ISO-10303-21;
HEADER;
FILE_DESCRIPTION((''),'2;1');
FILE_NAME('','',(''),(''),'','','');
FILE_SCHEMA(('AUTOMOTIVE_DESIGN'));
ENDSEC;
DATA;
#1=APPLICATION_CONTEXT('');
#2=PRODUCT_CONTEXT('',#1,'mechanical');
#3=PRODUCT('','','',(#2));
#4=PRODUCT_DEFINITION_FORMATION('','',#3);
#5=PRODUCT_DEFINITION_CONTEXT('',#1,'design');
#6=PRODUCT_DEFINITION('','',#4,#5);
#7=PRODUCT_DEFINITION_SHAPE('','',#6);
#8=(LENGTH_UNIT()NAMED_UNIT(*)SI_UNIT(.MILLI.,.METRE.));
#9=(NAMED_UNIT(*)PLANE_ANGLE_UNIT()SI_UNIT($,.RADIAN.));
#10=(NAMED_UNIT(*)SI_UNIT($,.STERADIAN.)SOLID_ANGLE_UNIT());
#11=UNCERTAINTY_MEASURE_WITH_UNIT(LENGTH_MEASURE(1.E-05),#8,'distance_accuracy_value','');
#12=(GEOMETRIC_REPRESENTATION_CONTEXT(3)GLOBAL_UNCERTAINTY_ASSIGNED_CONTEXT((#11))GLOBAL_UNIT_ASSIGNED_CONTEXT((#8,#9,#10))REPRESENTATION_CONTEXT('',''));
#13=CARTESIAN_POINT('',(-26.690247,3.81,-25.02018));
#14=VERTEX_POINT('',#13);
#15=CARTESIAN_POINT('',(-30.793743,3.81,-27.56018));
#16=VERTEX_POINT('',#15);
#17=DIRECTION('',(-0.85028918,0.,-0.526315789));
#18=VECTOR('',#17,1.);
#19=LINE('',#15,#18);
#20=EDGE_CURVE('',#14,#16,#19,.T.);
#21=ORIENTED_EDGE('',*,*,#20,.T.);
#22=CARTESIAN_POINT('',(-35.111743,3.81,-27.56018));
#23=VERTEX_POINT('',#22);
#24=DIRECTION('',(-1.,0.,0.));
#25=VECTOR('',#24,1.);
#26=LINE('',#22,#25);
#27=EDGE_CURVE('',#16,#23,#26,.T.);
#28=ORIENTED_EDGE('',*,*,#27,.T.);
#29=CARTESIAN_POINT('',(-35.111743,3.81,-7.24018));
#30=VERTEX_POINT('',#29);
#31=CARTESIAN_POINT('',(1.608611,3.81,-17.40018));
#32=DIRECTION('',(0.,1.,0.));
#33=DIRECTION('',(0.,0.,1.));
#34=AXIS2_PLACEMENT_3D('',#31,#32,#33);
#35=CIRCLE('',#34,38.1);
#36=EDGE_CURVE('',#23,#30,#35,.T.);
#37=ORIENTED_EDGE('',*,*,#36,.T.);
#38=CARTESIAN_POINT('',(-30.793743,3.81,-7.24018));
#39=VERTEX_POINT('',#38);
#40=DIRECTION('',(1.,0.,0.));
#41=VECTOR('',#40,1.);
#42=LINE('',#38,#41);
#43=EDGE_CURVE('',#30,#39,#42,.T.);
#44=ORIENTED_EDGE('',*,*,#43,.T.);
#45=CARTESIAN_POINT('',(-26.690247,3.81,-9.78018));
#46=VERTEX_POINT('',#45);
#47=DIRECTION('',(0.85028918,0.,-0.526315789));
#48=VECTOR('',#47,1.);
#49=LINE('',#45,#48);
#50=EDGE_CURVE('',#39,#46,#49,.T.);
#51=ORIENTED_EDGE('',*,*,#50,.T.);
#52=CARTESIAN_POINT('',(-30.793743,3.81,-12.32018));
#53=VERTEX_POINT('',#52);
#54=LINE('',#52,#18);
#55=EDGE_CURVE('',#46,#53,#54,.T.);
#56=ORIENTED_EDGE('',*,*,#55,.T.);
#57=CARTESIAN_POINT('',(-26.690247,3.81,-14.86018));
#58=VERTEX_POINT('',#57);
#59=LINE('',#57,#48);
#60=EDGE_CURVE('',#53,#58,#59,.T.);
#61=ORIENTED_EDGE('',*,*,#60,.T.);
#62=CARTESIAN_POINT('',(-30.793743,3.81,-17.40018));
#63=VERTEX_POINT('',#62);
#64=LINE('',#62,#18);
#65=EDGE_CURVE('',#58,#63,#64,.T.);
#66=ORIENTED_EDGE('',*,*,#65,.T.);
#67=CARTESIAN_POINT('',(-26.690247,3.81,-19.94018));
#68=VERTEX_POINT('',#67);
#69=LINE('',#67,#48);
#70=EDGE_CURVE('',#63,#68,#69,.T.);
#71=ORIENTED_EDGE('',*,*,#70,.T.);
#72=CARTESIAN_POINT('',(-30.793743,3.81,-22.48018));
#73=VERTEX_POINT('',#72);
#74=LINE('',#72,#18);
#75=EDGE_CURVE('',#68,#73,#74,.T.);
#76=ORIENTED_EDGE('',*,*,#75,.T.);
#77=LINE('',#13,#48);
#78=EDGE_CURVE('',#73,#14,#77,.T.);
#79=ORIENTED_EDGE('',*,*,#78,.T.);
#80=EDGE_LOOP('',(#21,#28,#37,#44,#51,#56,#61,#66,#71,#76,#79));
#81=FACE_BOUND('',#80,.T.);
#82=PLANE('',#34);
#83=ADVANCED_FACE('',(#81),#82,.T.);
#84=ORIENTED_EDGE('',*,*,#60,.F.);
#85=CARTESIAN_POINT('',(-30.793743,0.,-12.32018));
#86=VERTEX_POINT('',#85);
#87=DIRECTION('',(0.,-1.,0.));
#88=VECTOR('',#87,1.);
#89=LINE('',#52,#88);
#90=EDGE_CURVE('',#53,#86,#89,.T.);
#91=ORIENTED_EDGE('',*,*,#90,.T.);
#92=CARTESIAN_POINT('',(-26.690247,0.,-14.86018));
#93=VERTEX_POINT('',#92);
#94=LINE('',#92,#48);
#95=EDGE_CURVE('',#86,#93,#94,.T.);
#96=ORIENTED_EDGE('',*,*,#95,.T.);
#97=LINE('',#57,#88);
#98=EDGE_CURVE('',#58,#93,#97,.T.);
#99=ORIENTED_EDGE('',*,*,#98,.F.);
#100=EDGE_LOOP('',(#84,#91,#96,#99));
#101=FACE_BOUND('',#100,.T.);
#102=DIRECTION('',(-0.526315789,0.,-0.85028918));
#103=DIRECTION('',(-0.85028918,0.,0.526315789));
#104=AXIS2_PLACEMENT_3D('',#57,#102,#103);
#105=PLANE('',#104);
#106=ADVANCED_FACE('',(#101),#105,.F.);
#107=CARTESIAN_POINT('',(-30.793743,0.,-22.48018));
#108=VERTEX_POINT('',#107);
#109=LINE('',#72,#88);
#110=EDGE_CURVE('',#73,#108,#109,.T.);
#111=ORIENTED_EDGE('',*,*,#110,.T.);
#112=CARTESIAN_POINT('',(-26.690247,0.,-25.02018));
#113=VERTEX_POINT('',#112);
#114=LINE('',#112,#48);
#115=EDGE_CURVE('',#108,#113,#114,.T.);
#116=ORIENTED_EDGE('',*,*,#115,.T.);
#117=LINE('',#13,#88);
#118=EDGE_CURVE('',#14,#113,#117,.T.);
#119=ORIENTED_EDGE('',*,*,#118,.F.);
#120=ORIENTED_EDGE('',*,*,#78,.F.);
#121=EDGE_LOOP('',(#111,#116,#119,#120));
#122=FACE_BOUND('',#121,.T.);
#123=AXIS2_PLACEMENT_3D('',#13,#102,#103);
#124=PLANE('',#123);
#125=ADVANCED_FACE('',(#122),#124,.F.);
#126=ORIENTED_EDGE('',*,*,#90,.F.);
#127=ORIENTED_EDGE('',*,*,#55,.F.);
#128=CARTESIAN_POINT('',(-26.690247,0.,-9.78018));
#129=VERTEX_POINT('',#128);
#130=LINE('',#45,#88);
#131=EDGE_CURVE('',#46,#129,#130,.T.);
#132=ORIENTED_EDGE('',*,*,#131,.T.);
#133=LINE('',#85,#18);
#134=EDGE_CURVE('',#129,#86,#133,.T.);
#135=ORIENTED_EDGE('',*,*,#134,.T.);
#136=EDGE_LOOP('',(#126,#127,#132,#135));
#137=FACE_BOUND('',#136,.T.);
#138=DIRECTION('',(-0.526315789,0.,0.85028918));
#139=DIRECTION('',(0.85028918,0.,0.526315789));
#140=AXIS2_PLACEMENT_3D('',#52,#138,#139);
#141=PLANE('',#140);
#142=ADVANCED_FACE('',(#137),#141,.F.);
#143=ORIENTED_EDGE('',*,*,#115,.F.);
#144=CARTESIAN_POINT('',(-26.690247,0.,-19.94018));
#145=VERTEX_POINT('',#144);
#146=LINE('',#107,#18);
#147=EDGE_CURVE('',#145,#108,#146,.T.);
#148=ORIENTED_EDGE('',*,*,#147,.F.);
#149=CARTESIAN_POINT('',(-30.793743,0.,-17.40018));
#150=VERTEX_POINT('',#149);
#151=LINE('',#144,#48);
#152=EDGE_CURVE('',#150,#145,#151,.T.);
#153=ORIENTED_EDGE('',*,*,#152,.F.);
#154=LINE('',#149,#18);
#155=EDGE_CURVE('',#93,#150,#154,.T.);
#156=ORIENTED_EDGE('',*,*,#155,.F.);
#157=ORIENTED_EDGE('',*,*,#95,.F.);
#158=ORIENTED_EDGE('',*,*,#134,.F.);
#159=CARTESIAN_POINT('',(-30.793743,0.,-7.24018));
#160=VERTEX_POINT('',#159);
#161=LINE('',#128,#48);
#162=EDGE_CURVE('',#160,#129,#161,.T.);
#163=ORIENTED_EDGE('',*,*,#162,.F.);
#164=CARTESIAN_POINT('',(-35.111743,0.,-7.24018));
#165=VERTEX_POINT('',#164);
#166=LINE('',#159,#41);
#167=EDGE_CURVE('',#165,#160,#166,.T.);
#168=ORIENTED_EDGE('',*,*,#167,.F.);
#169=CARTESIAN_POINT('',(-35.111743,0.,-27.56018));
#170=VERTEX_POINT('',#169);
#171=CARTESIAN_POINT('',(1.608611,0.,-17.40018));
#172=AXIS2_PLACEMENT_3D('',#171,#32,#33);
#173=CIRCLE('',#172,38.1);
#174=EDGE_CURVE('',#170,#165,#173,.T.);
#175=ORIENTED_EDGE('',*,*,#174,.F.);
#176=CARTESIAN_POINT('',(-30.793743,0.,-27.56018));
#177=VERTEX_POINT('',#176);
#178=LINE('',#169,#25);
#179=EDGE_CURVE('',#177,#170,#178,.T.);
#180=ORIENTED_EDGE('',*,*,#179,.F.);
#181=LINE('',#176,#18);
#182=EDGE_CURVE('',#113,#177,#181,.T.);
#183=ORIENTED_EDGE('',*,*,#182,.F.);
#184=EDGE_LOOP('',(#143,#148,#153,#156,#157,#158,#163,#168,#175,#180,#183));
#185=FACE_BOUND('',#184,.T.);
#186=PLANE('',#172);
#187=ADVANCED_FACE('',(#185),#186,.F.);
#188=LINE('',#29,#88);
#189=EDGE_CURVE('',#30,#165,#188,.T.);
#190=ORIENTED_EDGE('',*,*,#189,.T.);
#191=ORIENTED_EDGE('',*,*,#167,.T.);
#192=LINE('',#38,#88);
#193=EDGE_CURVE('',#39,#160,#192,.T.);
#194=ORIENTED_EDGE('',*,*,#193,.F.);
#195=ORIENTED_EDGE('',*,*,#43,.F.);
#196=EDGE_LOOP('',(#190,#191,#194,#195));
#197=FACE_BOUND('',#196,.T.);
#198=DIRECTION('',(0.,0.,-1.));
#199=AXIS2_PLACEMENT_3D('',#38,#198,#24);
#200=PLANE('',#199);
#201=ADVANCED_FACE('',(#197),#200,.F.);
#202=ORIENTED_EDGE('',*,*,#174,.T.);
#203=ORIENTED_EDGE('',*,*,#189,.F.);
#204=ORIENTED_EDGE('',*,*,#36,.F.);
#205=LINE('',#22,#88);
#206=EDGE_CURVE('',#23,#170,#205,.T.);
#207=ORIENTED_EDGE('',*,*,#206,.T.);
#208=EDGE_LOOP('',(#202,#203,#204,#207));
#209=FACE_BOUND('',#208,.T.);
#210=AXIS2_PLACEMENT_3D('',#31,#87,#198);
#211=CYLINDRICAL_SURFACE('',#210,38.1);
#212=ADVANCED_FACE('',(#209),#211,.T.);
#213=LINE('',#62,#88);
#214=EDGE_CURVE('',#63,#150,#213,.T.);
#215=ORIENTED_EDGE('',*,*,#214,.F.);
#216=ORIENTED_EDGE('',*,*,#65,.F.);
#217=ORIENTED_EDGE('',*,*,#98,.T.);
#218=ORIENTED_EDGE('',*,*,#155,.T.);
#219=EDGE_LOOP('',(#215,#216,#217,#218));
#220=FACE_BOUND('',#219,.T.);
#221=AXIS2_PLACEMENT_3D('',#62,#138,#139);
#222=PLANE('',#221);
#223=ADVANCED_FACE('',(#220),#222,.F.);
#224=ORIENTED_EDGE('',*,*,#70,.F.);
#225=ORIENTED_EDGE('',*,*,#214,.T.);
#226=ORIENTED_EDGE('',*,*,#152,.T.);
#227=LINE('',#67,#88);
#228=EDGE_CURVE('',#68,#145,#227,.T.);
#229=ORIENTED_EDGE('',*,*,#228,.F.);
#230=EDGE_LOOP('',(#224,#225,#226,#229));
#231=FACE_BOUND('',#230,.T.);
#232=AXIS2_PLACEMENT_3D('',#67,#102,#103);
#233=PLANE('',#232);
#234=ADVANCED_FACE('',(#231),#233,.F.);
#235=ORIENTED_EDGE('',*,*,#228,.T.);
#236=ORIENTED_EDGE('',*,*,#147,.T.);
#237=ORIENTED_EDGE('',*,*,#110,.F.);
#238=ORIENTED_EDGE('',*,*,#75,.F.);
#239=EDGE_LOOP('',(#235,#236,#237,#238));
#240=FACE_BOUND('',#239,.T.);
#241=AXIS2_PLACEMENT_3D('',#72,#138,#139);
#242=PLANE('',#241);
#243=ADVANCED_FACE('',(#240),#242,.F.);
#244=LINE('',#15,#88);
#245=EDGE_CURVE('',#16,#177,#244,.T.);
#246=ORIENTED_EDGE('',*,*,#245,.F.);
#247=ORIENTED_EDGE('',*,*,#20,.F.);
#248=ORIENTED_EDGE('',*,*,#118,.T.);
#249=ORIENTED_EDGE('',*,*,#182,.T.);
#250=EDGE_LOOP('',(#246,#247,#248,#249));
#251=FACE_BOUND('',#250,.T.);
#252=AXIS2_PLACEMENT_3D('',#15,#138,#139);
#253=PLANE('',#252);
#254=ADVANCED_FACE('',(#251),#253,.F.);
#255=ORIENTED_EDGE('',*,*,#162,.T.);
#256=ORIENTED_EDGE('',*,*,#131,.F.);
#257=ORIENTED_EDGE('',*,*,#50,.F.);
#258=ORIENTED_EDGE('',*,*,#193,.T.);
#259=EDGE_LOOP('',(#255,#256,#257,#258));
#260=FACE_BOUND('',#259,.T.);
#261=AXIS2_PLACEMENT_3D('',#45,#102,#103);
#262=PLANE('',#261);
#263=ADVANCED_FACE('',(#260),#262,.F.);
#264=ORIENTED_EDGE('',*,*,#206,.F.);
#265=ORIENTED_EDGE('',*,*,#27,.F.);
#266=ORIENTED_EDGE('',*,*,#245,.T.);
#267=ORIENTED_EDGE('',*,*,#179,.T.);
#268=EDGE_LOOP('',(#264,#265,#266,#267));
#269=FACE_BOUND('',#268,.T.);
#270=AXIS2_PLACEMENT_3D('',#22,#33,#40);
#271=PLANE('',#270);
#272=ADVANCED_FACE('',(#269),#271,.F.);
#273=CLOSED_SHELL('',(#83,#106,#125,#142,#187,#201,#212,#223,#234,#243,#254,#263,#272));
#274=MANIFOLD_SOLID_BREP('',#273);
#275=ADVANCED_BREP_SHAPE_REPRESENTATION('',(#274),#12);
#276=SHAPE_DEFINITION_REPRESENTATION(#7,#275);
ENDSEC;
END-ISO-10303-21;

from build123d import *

# Parameters (mm, degrees)
BOSS_EXTRUDE1_DEPTH = 3.81


with BuildPart() as part:
    # Sketch1 → Boss-Extrude1 (new body)
    with BuildSketch(Plane(origin=(0, 0, 0), x_dir=(1, 0, 0), z_dir=(0, 1, 0))):
        with BuildLine():
            Line((-30.793742763, 27.560180372), (-26.69024718, 25.020180372))
            Line((-26.69024718, 25.020180372), (-30.793742763, 22.480180372))
            Line((-30.793742763, 22.480180372), (-26.69024718, 19.940180372))
            Line((-26.69024718, 19.940180372), (-30.793742763, 17.400180372))
            Line((-30.793742763, 17.400180372), (-26.69024718, 14.860180372))
            Line((-26.69024718, 14.860180372), (-30.793742763, 12.320180372))
            Line((-30.793742763, 12.320180372), (-26.69024718, 9.780180372))
            Line((-26.69024718, 9.780180372), (-30.793742763, 7.240180372))
            Line((-30.793742763, 7.240180372), (-35.111742763, 7.240180372))
            ThreePointArc((-35.111742763, 7.240180372), (-36.491388734, 17.400180372), (-35.111742763, 27.560180372))
            Line((-35.111742763, 27.560180372), (-30.793742763, 27.560180372))
        make_face()
    extrude(amount=BOSS_EXTRUDE1_DEPTH)


solid = part.part
